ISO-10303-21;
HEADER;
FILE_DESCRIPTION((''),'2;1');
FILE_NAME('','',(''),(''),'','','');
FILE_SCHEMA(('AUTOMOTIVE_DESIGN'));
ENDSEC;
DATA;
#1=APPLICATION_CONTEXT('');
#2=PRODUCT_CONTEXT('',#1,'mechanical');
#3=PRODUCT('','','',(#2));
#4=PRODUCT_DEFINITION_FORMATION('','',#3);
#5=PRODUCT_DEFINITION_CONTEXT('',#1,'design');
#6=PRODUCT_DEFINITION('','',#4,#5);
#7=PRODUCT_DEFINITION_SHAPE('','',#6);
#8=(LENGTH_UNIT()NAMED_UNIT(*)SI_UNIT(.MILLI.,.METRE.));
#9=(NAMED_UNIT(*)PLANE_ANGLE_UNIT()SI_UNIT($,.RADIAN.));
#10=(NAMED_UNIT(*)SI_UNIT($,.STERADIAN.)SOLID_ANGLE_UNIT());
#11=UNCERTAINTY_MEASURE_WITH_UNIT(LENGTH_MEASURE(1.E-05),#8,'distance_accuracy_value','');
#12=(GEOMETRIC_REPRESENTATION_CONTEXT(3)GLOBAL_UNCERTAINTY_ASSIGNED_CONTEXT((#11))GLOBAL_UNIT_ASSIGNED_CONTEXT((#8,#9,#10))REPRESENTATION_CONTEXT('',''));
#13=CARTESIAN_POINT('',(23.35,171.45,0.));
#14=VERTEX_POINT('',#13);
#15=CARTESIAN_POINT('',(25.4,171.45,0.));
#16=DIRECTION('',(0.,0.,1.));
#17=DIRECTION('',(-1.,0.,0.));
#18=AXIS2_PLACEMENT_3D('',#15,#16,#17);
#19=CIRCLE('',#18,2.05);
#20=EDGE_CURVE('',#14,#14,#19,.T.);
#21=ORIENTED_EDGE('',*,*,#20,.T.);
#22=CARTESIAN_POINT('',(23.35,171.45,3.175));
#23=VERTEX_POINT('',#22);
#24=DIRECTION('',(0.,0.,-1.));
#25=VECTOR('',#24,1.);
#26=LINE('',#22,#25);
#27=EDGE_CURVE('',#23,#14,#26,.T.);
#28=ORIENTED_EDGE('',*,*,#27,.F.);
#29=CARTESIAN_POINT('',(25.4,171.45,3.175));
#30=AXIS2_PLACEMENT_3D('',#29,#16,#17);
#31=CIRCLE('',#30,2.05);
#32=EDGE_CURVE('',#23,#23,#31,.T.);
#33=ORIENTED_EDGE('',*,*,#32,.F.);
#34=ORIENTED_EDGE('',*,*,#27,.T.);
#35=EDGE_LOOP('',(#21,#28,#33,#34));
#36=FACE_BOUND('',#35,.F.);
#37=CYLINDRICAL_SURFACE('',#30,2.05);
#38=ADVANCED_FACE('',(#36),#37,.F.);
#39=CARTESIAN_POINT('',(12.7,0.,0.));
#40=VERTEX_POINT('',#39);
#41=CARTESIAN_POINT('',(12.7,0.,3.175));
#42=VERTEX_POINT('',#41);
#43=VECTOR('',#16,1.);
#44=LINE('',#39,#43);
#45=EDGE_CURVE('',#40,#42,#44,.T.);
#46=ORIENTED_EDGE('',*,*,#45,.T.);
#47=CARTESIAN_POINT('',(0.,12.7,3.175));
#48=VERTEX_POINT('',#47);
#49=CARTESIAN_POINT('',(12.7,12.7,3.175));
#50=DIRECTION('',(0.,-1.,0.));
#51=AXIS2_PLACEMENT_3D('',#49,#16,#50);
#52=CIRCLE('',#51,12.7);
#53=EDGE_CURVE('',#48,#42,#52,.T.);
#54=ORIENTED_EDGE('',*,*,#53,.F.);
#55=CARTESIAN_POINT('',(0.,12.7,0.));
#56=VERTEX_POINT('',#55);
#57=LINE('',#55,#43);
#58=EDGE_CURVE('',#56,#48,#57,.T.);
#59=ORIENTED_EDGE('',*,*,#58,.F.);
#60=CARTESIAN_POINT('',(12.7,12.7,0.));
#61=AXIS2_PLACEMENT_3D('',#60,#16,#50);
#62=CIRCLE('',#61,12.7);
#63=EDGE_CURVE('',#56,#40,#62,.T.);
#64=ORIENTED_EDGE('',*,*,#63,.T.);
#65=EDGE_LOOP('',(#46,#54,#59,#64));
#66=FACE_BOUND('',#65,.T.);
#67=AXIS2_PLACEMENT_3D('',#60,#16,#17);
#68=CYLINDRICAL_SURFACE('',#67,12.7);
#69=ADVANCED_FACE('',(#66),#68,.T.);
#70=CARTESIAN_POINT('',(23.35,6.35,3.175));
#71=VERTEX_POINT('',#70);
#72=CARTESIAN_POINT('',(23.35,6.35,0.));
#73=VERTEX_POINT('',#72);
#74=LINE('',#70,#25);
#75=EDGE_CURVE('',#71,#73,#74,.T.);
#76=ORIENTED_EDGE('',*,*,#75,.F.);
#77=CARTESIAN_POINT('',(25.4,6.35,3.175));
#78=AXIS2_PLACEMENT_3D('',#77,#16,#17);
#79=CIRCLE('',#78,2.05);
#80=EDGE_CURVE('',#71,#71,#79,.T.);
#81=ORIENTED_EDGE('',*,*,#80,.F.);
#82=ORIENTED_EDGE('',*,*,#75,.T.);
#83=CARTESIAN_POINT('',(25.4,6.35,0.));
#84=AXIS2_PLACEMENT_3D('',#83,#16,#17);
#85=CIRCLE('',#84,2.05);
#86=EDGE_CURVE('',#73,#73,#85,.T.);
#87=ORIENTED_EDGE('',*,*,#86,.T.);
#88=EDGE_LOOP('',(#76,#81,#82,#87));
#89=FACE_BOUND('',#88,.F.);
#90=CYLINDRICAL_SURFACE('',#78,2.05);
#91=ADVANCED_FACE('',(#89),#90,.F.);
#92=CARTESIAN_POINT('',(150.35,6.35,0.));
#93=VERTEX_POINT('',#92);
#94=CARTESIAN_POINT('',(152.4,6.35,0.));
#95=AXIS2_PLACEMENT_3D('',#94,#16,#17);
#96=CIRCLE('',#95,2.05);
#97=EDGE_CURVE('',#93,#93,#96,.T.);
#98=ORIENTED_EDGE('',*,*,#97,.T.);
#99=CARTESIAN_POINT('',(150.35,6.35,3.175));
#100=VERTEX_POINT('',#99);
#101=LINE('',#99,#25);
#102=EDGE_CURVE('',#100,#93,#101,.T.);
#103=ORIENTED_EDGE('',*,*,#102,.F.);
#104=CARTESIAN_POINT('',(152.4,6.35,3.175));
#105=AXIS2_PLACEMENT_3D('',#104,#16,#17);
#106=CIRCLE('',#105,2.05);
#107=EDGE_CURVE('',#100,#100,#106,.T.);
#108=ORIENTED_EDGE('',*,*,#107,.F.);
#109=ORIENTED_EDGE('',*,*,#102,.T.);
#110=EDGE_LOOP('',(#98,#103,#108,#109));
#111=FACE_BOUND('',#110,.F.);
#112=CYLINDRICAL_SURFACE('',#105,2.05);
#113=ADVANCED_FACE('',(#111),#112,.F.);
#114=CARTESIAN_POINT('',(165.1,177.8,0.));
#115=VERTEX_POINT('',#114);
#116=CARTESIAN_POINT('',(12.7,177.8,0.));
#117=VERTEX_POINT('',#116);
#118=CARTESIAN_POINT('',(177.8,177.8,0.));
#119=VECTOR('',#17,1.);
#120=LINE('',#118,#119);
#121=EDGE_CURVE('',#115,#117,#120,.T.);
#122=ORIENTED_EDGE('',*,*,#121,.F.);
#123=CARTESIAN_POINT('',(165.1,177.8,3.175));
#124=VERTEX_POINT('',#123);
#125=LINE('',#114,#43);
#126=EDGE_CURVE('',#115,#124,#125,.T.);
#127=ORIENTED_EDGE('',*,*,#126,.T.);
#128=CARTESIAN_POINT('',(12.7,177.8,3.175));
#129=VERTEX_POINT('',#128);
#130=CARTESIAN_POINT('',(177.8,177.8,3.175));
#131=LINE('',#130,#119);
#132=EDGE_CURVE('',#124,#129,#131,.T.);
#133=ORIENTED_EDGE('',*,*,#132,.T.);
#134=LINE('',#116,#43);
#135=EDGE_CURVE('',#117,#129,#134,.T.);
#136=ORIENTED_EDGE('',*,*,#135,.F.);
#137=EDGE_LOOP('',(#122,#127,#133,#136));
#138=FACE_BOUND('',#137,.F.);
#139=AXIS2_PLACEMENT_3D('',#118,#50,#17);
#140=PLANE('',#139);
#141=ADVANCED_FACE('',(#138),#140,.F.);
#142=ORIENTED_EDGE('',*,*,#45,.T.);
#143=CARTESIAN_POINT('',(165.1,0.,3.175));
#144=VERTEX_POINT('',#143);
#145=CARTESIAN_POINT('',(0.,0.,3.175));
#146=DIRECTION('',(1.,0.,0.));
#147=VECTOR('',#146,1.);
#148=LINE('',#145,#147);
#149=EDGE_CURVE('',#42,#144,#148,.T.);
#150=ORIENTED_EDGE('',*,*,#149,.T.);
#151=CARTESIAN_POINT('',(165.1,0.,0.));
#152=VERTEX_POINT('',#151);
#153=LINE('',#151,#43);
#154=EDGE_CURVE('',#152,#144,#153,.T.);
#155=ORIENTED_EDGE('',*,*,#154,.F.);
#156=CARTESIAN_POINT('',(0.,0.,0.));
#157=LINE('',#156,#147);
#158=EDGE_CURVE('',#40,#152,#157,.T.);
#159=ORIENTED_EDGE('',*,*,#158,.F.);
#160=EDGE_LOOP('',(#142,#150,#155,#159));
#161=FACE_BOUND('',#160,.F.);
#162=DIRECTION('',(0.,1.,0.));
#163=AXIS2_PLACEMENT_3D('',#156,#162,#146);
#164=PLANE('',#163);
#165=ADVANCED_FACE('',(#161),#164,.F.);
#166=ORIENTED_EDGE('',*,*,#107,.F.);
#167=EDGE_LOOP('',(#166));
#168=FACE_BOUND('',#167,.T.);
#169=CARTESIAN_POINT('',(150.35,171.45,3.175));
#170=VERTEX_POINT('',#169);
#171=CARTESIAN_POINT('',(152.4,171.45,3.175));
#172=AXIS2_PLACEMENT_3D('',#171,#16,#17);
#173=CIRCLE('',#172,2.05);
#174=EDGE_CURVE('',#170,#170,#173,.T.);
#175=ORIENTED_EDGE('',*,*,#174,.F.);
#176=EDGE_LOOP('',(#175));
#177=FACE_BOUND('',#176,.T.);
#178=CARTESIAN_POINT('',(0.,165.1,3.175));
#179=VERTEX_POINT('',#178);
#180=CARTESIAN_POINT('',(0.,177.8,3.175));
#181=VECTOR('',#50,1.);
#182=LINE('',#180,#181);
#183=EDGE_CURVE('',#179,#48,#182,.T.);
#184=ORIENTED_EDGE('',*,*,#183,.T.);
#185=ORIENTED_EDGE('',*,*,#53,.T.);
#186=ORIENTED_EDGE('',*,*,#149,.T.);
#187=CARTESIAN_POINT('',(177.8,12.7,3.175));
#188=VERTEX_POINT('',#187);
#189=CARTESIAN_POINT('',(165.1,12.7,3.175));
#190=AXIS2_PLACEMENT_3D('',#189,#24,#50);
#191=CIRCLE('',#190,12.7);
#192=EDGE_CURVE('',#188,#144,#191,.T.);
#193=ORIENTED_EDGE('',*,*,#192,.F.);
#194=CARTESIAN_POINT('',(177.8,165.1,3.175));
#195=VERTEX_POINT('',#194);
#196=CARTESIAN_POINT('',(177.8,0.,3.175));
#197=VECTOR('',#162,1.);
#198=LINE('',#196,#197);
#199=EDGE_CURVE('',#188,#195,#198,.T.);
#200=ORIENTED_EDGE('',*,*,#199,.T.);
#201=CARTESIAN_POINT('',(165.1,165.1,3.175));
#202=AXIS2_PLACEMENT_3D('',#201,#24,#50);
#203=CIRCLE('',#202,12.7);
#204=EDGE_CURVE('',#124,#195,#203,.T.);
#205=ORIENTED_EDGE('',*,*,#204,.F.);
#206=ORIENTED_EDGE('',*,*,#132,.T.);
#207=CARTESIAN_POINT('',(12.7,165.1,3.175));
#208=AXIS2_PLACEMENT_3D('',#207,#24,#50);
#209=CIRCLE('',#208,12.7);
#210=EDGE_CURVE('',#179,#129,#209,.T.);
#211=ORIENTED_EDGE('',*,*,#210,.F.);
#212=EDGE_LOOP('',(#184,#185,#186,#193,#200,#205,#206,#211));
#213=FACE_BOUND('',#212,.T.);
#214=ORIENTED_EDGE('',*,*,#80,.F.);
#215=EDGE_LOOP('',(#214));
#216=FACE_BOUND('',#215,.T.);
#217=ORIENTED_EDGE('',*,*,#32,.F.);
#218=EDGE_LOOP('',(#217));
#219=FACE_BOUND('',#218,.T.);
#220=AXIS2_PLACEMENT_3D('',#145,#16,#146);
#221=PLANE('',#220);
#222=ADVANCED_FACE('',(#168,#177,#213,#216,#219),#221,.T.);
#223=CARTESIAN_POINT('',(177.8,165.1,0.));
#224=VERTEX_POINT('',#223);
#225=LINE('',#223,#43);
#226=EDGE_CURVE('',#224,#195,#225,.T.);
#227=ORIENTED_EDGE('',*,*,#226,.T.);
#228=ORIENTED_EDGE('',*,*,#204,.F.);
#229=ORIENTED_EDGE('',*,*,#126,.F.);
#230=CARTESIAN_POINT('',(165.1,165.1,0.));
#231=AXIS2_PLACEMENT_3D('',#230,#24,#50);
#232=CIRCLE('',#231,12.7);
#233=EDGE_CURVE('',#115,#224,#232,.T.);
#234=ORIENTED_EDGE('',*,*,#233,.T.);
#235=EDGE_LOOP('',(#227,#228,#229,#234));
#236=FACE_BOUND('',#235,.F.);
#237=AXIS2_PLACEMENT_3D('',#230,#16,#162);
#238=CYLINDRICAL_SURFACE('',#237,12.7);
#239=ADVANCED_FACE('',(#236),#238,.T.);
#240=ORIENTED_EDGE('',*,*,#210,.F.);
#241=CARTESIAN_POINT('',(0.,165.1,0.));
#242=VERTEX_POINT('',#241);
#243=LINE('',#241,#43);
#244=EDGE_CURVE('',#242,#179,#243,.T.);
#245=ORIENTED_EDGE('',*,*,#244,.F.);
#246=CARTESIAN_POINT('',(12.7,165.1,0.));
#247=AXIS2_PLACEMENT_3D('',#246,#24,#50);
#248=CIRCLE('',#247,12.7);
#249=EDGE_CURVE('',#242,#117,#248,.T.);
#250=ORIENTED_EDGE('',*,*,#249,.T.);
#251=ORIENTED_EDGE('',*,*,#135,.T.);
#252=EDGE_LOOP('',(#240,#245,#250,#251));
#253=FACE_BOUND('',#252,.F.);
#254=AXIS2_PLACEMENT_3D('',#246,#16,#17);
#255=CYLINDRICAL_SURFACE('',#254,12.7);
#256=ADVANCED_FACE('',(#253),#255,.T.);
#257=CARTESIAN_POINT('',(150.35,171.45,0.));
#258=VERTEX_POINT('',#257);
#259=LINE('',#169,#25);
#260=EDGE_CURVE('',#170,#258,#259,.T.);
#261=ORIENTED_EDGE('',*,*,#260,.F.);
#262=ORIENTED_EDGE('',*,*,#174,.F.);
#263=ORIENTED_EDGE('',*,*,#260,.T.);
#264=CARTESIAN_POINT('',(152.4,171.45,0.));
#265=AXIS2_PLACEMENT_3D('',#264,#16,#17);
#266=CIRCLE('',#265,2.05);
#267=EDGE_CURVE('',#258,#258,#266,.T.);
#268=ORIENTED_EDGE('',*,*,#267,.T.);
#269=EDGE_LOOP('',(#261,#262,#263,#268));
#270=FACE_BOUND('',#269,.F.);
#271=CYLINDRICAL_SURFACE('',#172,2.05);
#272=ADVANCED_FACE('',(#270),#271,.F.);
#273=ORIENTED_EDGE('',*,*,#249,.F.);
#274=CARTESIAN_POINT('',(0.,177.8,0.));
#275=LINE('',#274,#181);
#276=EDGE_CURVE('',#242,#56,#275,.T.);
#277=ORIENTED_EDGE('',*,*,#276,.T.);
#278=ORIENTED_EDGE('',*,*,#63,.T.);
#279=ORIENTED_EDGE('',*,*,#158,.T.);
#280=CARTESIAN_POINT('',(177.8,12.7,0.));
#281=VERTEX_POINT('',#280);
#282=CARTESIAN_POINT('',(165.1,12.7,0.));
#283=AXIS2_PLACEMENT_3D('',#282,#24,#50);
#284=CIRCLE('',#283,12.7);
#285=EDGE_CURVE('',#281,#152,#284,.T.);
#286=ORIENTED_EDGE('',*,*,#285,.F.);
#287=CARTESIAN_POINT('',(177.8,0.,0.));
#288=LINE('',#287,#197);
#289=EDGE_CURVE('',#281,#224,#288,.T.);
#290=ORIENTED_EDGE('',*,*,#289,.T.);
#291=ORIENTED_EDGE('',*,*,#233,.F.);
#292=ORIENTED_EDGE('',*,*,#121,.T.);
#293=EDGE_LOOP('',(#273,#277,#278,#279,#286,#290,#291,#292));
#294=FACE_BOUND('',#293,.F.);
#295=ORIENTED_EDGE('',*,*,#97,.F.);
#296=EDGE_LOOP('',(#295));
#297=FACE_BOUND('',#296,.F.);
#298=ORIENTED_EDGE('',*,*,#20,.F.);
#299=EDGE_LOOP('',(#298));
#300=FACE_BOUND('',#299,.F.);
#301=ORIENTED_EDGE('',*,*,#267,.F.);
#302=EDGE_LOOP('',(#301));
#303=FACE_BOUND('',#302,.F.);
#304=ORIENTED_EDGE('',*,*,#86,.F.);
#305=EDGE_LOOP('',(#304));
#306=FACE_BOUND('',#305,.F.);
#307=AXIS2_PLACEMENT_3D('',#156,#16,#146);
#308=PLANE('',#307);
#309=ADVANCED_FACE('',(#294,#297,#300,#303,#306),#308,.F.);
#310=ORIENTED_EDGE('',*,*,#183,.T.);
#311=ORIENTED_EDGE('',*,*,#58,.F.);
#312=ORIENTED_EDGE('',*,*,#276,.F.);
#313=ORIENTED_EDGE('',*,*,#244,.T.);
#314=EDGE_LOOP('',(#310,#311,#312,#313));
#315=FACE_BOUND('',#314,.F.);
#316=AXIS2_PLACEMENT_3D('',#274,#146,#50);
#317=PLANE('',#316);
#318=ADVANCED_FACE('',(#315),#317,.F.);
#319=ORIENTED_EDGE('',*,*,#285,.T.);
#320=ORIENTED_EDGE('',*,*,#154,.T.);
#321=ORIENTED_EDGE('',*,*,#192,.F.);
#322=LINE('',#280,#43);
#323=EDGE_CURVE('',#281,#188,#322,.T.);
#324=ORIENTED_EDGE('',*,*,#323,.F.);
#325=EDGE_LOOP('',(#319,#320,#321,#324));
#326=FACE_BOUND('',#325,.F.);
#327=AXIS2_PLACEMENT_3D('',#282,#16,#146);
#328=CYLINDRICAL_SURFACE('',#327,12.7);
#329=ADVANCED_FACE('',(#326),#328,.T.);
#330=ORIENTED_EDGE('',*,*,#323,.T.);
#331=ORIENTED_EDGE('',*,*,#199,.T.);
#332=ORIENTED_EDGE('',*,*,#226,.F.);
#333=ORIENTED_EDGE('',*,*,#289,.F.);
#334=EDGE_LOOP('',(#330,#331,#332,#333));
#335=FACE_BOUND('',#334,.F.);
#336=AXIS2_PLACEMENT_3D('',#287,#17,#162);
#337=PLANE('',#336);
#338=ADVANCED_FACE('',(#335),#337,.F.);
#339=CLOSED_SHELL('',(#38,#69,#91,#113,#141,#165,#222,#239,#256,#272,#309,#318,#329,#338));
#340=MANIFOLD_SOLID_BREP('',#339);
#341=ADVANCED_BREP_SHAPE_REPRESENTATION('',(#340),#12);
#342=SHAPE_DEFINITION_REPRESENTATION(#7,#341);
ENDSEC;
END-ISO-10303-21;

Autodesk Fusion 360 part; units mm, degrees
sketch "Sketch1" plane through (0, 0, 0) normal (0, 0, 1) x (1, 0, 0)
  line L0 (0, 0) -> (177.8, 0)
  line L1 (177.8, 0) -> (177.8, 177.8)
  line L2 (177.8, 177.8) -> (0, 177.8)
  line L3 (0, 177.8) -> (0, 0)
  dimension "d2" = 177.8
  dimension "d3" = 177.8
extrude "Extrude1" add sketch "Sketch1" along normal blind 3.175
fillet "Fillet1" radius 12.7 4 edges at (177.8, 0, 1.5875) (0, 0, 1.5875) (177.8, 177.8, 1.5875) (0, 177.8, 1.5875)
sketch "Sketch2" plane through (0, 0, 3.175) normal (0, 0, 1) x (-1, 0, 0)
  arc A0 (-12.7, -177.8) -> (0, -165.1) centre (-12.7, -165.1) ccw
  line L0 (0, -165.1) -> (0, -12.7)
  arc A1 (0, -12.7) -> (-12.7, 0) centre (-12.7, -12.7) ccw
  line L1 (-12.7, 0) -> (-165.1, 0)
  arc A2 (-165.1, 0) -> (-177.8, -12.7) centre (-165.1, -12.7) ccw
  line L2 (-177.8, -12.7) -> (-177.8, -165.1)
  arc A3 (-177.8, -165.1) -> (-165.1, -177.8) centre (-165.1, -165.1) ccw
  line L3 (-165.1, -177.8) -> (-12.7, -177.8)
  line L4 (-25.4, -171.45) -> (-152.4, -171.45) construction
  line L5 (-152.4, -171.45) -> (-152.4, -6.35) construction
  line L6 (-152.4, -6.35) -> (-25.4, -6.35) construction
  line L7 (-25.4, -6.35) -> (-25.4, -171.45) construction
  line L8 (-152.4, -100.0288) -> (-177.8, -100.0288) construction
  line L9 (-25.4, -101.0393) -> (0, -101.0393) construction
  line L10 (-70.6928, -171.45) -> (-70.6928, -177.8) construction
  line L11 (-68.6718, -6.35) -> (-68.6718, 0) construction
  circle A4 centre (-152.4, -6.35) radius 2.05
  dimension "d8" = 25.4
  dimension "d9" = 6.35
  dimension "d10" = 4.1
extrude "Extrude2" cut sketch "Sketch2" against normal through all contours A4
pattern_linear "R-Pattern1" count 2 spacing 127 along (-1, 0, 0) count 2 spacing 165.1 along (0, 1, 0) of "Extrude2"
equation "side = 7 in"
equation "d2 = side"
equation "d3 = side"
equation "d4 = ( 1 / 8 ) * 1 in"
